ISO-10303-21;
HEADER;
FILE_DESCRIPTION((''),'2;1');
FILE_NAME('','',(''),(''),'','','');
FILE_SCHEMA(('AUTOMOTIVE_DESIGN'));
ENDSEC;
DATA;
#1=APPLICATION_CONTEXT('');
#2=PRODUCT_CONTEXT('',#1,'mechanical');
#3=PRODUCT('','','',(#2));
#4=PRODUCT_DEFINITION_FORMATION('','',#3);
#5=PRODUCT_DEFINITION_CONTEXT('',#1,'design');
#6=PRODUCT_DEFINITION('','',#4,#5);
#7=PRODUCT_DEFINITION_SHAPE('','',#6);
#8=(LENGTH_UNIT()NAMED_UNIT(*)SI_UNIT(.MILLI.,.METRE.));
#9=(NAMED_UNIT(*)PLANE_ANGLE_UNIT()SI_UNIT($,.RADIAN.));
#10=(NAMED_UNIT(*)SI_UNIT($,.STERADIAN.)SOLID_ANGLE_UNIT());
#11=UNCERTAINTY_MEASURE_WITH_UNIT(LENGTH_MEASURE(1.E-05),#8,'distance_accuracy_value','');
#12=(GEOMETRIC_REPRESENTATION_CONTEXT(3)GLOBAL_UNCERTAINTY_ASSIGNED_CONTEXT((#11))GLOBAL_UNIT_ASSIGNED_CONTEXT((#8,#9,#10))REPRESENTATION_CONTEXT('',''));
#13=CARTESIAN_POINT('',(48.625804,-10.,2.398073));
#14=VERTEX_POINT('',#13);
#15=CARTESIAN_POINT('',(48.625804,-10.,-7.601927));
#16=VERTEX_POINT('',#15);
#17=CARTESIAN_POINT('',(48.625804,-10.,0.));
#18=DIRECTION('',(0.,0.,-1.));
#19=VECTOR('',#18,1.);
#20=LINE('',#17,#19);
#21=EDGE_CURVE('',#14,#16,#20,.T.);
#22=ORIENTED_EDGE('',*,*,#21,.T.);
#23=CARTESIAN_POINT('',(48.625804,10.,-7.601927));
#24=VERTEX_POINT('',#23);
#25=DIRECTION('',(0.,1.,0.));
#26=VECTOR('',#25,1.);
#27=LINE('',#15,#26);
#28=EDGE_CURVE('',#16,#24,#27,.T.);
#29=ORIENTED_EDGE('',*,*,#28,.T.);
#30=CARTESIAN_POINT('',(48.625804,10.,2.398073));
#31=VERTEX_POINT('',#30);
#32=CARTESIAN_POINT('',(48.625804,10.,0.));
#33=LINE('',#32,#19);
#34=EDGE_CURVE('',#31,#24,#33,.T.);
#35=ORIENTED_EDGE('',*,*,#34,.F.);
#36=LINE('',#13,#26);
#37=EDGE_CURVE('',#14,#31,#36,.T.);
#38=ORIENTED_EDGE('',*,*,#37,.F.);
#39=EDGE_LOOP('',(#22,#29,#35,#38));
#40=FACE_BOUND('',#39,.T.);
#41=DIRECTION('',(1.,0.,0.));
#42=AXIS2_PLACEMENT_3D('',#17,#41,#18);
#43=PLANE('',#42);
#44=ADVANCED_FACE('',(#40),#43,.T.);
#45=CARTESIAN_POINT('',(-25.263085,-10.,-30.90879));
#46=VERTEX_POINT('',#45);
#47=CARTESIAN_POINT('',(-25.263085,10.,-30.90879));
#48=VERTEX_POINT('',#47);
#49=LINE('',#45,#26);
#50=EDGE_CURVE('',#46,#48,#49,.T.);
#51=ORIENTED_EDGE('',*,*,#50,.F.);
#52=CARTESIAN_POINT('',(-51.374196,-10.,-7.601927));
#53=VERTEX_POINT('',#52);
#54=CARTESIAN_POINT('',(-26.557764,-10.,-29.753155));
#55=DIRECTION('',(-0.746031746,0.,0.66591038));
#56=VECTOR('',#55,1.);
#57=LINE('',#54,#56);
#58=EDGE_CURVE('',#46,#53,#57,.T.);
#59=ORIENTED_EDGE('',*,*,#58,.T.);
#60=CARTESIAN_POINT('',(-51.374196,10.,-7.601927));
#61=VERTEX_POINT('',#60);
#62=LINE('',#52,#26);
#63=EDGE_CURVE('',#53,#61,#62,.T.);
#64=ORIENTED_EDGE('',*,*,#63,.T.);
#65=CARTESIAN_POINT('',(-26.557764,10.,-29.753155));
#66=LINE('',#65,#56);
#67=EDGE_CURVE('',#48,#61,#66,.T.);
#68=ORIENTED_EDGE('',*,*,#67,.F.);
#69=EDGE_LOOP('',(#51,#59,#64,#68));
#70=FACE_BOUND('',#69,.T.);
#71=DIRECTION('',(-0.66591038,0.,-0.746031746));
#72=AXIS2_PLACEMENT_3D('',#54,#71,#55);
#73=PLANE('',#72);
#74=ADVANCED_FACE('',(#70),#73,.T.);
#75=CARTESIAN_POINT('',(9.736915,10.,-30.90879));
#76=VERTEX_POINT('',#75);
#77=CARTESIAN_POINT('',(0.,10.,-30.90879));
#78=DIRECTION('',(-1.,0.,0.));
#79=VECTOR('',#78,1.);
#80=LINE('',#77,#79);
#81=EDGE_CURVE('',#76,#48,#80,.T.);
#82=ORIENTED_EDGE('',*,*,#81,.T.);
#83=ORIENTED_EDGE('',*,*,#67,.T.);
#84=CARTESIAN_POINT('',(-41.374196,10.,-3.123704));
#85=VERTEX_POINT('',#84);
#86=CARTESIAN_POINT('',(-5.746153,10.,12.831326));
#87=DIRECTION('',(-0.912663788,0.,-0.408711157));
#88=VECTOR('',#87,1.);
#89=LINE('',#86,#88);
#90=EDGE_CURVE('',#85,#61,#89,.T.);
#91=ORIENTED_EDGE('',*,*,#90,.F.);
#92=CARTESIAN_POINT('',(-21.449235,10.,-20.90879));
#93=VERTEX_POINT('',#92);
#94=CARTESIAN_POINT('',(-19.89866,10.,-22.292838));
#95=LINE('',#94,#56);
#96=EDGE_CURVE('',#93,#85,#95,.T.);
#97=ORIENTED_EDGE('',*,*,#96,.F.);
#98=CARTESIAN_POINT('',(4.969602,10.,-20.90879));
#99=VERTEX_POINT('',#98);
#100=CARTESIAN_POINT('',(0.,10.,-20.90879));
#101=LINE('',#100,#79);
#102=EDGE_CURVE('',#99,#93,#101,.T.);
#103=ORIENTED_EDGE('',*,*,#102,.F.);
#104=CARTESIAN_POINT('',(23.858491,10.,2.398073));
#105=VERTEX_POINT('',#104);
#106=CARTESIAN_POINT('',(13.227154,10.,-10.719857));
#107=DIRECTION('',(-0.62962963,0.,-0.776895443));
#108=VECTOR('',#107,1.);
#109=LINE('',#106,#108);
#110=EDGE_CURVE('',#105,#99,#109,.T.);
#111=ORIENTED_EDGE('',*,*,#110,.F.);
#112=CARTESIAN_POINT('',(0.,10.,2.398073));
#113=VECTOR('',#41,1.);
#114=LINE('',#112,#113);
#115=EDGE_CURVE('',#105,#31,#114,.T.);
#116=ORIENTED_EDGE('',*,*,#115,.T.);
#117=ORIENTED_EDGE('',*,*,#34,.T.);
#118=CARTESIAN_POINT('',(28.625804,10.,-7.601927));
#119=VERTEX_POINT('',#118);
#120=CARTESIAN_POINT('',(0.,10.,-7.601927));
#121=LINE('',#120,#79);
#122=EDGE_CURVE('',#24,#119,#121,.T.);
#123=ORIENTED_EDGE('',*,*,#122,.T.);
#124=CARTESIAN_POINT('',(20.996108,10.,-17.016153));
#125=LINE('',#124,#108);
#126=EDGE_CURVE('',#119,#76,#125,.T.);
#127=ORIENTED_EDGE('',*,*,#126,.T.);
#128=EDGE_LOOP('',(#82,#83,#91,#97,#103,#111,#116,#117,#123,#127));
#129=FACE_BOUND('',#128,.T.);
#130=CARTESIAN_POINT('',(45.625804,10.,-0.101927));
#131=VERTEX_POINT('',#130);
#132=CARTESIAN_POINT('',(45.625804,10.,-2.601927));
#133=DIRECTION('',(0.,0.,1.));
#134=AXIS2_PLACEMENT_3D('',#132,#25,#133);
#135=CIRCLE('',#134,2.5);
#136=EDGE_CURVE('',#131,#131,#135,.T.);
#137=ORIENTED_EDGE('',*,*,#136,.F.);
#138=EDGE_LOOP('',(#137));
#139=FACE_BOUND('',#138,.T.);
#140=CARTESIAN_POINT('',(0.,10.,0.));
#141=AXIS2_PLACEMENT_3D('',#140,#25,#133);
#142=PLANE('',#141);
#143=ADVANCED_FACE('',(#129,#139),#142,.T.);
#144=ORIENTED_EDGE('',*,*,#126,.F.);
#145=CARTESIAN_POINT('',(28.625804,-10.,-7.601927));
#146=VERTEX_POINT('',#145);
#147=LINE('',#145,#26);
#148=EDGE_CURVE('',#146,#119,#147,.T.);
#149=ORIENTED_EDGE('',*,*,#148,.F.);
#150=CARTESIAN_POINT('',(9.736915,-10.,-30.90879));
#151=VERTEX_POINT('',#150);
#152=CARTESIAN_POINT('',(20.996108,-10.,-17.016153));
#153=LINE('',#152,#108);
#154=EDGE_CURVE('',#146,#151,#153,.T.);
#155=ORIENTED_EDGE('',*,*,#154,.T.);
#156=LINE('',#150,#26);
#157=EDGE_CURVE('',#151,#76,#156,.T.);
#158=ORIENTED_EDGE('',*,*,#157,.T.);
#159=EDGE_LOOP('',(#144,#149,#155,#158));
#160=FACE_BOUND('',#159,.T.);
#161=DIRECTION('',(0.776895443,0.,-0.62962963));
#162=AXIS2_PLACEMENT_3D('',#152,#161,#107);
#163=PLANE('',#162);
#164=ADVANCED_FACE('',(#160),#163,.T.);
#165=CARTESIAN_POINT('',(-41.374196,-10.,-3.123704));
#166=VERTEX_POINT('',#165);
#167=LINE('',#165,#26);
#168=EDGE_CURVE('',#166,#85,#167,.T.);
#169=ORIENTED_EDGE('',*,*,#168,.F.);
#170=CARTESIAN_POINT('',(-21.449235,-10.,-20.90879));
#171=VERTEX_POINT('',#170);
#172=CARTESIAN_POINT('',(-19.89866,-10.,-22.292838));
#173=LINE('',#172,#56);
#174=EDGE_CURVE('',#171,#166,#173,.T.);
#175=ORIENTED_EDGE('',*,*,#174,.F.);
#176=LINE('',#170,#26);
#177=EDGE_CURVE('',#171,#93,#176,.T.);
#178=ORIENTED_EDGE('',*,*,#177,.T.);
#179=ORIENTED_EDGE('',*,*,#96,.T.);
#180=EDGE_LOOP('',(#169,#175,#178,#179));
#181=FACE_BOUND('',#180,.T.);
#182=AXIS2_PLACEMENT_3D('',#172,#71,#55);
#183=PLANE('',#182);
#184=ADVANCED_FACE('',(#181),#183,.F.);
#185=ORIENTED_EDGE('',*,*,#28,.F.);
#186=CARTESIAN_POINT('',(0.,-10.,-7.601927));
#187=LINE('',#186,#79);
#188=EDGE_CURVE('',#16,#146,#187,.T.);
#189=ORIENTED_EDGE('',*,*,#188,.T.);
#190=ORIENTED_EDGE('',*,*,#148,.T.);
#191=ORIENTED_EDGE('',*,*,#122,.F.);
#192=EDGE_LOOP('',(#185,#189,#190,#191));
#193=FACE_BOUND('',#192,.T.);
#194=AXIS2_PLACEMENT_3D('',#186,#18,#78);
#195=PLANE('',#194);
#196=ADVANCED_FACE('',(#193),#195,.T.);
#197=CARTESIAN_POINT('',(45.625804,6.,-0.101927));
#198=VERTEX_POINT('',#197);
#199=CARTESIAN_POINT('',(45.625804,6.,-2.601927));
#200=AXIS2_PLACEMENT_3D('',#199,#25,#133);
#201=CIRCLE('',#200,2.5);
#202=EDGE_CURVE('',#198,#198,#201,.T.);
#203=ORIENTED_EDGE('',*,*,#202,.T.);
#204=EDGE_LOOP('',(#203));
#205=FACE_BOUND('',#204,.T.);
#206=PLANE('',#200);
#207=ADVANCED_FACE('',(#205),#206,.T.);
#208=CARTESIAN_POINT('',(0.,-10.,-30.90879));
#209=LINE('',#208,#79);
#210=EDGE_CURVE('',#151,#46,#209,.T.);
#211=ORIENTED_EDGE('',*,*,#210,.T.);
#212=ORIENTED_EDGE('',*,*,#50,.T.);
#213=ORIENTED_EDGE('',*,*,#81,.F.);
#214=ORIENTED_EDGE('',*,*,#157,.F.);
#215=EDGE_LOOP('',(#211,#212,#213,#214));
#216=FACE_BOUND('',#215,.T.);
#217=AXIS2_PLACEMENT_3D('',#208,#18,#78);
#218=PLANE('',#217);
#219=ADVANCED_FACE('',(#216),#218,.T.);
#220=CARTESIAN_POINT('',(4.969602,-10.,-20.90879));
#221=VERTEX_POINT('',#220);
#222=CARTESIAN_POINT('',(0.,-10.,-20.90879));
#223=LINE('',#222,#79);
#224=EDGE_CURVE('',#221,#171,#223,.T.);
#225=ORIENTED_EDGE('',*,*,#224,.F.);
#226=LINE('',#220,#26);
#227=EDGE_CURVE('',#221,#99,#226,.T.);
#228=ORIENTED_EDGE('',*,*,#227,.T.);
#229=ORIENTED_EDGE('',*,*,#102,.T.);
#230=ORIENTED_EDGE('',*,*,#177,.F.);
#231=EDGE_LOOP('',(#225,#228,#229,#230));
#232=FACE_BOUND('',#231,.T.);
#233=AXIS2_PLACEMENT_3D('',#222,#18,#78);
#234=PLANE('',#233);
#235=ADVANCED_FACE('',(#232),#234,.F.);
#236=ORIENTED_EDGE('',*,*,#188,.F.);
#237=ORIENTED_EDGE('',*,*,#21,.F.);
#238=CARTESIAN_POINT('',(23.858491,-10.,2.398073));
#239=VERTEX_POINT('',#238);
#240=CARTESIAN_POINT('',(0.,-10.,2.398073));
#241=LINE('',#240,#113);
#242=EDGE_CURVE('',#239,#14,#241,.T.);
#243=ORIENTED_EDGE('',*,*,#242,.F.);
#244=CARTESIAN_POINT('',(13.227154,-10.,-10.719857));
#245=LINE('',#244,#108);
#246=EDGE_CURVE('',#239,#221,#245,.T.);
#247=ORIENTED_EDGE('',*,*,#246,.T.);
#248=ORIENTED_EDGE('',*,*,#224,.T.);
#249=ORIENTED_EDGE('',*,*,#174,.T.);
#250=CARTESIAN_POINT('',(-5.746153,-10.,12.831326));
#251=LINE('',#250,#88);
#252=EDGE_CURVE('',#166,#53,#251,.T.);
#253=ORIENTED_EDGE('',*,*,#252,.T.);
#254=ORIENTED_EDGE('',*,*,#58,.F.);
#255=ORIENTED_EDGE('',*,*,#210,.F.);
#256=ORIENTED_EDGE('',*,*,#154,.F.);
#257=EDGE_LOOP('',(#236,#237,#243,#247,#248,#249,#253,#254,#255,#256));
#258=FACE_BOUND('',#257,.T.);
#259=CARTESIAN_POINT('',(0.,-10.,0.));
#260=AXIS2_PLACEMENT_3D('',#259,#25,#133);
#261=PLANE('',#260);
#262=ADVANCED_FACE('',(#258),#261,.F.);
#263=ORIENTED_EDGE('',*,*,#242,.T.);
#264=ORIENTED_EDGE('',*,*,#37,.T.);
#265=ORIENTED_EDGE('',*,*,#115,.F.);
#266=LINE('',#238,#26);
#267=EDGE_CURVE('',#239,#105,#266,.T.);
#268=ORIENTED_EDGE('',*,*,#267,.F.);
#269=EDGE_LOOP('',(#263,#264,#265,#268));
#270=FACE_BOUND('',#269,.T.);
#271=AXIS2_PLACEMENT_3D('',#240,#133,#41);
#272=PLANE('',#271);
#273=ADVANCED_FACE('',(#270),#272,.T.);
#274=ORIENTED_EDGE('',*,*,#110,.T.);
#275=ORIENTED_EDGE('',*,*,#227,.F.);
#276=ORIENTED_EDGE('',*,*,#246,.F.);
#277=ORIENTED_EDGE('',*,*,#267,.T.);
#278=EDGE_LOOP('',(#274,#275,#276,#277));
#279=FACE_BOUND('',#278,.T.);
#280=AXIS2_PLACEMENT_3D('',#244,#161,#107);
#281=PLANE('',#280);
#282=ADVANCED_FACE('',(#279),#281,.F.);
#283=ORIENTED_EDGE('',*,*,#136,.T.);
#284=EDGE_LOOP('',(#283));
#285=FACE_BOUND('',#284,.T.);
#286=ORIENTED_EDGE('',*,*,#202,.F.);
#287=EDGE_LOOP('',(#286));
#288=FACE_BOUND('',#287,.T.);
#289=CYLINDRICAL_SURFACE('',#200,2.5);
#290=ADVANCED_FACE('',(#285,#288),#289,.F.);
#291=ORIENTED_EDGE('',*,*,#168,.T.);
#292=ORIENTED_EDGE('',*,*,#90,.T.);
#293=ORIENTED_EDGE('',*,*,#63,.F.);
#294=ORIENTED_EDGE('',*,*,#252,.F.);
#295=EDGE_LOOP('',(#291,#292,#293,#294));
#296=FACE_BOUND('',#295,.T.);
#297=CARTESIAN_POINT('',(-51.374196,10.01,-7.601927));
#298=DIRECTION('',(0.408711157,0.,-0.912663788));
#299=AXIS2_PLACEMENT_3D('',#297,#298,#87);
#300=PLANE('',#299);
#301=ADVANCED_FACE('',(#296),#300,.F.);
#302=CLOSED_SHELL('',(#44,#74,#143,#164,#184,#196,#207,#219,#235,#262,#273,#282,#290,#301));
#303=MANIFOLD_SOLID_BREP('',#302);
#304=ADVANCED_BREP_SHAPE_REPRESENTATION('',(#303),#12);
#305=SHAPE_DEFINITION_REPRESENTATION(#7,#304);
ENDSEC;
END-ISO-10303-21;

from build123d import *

# Parameters (mm, degrees)
BOSS_EXTRUDE1_DEPTH      = 10
BOSS_EXTRUDE1_DEPTH_BACK = 10
SKETCH2_R                = 2.5
CUT_EXTRUDE1_DEPTH       = 4
SPLIT2_SURFACE_1_BACK    = 108.282
SPLIT2_SURFACE_1_DEPTH   = 216.564


with BuildPart() as part:
    # Sketch1 → Boss-Extrude1 (new, two sides)
    with BuildSketch(Plane(origin=(0, 0, 0), x_dir=(1, 0, 0), z_dir=(0, 1, 0))) as boss_extrude1_sk:
        Polygon((-51.374196063, 7.601926758), (-51.374196063, -2.398073242), (-41.374196063, -2.398073242), (-41.374196063, 3.123704189), (-21.449234595, 20.908790051), (4.969602102, 20.908790051), (23.858490991, -2.398073242), (48.625803937, -2.398073242), (48.625803937, 7.601926758), (28.625803937, 7.601926758), (9.736915048, 30.908790051), (-25.263084952, 30.908790051), align=None)
    extrude(amount=BOSS_EXTRUDE1_DEPTH)
    extrude(boss_extrude1_sk.sketch, amount=-BOSS_EXTRUDE1_DEPTH_BACK)

    # Sketch2 → Cut-Extrude1 (cut)
    with BuildSketch(Plane(origin=(0, 10, 0), x_dir=(1, 0, 0), z_dir=(0, 1, 0))):
        with Locations(Location((45.625803937, 2.601926758, 0), (0, 0, 270))):
            Circle(SKETCH2_R)
    extrude(amount=-CUT_EXTRUDE1_DEPTH, mode=Mode.SUBTRACT)

    # Split2: cut with a surface, the side behind it stays
    # Split2 surface: a surface, the sketch's curves swept straight by 216.564 mm
    with BuildLine(Plane(origin=(0, -10, 0), x_dir=(-1, 0, 0), z_dir=(0, -1, 0)).offset(-SPLIT2_SURFACE_1_BACK), mode=Mode.PRIVATE) as split2_surface_1_path:
        Line((51.374196063, 7.601926758), (41.374196063, 3.123704189))
    split2_surface_1 = Shell.extrude(split2_surface_1_path.wire(), (0 * SPLIT2_SURFACE_1_DEPTH, -1 * SPLIT2_SURFACE_1_DEPTH, 0 * SPLIT2_SURFACE_1_DEPTH))
    split(bisect_by=split2_surface_1, keep=Keep.BOTTOM)


solid = part.part
